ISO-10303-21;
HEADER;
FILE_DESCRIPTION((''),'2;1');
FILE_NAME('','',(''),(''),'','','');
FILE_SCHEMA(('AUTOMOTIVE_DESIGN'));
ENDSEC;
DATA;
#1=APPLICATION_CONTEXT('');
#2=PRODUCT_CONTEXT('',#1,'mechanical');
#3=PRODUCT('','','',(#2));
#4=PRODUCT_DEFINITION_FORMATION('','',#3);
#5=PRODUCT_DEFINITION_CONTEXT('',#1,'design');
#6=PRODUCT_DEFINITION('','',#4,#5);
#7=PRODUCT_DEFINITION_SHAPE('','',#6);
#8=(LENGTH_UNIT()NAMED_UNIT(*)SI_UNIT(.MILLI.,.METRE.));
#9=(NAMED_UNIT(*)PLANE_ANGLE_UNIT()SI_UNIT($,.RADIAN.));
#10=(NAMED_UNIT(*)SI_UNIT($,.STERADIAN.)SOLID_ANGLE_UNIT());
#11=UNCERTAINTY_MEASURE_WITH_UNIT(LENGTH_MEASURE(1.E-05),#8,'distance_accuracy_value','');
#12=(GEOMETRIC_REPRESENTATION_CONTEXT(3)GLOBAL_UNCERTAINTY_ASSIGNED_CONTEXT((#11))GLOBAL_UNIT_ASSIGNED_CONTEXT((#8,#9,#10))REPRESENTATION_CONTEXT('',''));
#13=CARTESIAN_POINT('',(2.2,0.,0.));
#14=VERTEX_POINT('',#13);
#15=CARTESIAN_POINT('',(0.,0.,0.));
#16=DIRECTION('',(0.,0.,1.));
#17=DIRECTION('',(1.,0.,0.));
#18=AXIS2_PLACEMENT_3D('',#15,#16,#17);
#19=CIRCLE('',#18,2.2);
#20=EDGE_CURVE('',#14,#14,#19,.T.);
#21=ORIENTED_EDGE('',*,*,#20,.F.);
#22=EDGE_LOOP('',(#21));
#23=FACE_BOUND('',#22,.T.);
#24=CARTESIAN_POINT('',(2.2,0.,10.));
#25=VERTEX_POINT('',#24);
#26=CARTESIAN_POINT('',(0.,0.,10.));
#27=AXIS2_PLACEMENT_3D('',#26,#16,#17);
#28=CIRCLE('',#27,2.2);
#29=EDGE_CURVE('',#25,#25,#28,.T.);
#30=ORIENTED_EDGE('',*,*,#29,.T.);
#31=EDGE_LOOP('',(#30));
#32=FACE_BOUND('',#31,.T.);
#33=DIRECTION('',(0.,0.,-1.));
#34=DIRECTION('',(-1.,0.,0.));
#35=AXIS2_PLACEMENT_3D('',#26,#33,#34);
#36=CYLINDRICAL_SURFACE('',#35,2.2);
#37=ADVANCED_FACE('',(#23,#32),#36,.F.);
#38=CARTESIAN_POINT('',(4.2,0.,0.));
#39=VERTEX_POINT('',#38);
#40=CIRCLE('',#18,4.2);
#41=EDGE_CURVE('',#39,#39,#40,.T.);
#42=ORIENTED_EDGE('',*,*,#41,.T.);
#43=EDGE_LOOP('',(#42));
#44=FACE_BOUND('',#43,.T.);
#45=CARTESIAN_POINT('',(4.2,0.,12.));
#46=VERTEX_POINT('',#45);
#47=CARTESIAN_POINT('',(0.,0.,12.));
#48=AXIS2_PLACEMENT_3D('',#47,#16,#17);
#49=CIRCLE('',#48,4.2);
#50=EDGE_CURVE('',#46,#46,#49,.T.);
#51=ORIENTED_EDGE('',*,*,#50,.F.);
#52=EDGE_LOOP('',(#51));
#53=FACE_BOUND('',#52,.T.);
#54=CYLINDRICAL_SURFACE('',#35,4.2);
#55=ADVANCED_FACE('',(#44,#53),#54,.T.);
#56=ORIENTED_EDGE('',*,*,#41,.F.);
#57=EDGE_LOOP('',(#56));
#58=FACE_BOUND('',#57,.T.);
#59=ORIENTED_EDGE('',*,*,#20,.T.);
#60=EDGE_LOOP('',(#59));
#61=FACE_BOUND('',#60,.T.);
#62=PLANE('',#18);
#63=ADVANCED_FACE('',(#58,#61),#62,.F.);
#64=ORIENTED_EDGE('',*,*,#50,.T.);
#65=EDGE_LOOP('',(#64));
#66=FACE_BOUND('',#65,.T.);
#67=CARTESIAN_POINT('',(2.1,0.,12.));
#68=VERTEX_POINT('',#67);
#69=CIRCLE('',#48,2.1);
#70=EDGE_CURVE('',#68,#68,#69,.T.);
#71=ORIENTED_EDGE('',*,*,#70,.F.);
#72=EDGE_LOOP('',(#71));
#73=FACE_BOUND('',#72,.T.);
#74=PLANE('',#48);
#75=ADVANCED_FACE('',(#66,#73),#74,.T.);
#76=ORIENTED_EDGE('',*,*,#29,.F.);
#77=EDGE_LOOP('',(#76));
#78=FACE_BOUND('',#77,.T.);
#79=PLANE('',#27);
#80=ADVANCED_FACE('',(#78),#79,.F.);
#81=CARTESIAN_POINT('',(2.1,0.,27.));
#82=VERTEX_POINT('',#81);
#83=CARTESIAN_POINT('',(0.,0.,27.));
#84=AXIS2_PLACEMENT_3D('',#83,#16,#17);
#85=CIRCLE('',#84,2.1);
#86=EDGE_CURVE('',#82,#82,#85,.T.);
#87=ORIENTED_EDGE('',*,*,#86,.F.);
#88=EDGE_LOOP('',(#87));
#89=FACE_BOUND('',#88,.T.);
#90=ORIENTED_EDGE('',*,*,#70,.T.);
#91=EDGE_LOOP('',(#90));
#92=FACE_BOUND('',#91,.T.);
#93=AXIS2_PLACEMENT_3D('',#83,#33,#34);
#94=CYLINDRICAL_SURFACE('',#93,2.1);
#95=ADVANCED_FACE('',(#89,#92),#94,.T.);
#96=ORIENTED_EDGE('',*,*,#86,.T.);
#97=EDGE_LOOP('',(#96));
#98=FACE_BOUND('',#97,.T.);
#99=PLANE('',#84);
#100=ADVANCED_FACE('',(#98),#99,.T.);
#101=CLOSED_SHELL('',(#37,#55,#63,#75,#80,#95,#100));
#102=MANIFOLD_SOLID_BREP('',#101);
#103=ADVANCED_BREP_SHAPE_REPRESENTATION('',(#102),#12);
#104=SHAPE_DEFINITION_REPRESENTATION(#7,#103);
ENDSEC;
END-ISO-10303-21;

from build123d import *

# Parameters (mm, degrees)
SKETCH1_R           = 4.2
SKETCH1_R_2         = 2.2
BOSS_EXTRUDE1_DEPTH = 10
SKETCH2_R           = 4.2
BOSS_EXTRUDE2_DEPTH = 2
SKETCH3_R           = 2.1
BOSS_EXTRUDE3_DEPTH = 15


with BuildPart() as part:
    # Sketch1 → Boss-Extrude1 (new body)
    with BuildSketch(Plane.XY):
        Circle(SKETCH1_R)
        Circle(SKETCH1_R_2, mode=Mode.SUBTRACT)
    extrude(amount=BOSS_EXTRUDE1_DEPTH)

    # Sketch2 → Boss-Extrude2 (add)
    with BuildSketch(Plane.XY.offset(10)):
        Circle(SKETCH2_R)
    extrude(amount=BOSS_EXTRUDE2_DEPTH)

    # Sketch3 → Boss-Extrude3 (add)
    with BuildSketch(Plane.XY.offset(12)):
        Circle(SKETCH3_R)
    extrude(amount=BOSS_EXTRUDE3_DEPTH)


solid = part.part
